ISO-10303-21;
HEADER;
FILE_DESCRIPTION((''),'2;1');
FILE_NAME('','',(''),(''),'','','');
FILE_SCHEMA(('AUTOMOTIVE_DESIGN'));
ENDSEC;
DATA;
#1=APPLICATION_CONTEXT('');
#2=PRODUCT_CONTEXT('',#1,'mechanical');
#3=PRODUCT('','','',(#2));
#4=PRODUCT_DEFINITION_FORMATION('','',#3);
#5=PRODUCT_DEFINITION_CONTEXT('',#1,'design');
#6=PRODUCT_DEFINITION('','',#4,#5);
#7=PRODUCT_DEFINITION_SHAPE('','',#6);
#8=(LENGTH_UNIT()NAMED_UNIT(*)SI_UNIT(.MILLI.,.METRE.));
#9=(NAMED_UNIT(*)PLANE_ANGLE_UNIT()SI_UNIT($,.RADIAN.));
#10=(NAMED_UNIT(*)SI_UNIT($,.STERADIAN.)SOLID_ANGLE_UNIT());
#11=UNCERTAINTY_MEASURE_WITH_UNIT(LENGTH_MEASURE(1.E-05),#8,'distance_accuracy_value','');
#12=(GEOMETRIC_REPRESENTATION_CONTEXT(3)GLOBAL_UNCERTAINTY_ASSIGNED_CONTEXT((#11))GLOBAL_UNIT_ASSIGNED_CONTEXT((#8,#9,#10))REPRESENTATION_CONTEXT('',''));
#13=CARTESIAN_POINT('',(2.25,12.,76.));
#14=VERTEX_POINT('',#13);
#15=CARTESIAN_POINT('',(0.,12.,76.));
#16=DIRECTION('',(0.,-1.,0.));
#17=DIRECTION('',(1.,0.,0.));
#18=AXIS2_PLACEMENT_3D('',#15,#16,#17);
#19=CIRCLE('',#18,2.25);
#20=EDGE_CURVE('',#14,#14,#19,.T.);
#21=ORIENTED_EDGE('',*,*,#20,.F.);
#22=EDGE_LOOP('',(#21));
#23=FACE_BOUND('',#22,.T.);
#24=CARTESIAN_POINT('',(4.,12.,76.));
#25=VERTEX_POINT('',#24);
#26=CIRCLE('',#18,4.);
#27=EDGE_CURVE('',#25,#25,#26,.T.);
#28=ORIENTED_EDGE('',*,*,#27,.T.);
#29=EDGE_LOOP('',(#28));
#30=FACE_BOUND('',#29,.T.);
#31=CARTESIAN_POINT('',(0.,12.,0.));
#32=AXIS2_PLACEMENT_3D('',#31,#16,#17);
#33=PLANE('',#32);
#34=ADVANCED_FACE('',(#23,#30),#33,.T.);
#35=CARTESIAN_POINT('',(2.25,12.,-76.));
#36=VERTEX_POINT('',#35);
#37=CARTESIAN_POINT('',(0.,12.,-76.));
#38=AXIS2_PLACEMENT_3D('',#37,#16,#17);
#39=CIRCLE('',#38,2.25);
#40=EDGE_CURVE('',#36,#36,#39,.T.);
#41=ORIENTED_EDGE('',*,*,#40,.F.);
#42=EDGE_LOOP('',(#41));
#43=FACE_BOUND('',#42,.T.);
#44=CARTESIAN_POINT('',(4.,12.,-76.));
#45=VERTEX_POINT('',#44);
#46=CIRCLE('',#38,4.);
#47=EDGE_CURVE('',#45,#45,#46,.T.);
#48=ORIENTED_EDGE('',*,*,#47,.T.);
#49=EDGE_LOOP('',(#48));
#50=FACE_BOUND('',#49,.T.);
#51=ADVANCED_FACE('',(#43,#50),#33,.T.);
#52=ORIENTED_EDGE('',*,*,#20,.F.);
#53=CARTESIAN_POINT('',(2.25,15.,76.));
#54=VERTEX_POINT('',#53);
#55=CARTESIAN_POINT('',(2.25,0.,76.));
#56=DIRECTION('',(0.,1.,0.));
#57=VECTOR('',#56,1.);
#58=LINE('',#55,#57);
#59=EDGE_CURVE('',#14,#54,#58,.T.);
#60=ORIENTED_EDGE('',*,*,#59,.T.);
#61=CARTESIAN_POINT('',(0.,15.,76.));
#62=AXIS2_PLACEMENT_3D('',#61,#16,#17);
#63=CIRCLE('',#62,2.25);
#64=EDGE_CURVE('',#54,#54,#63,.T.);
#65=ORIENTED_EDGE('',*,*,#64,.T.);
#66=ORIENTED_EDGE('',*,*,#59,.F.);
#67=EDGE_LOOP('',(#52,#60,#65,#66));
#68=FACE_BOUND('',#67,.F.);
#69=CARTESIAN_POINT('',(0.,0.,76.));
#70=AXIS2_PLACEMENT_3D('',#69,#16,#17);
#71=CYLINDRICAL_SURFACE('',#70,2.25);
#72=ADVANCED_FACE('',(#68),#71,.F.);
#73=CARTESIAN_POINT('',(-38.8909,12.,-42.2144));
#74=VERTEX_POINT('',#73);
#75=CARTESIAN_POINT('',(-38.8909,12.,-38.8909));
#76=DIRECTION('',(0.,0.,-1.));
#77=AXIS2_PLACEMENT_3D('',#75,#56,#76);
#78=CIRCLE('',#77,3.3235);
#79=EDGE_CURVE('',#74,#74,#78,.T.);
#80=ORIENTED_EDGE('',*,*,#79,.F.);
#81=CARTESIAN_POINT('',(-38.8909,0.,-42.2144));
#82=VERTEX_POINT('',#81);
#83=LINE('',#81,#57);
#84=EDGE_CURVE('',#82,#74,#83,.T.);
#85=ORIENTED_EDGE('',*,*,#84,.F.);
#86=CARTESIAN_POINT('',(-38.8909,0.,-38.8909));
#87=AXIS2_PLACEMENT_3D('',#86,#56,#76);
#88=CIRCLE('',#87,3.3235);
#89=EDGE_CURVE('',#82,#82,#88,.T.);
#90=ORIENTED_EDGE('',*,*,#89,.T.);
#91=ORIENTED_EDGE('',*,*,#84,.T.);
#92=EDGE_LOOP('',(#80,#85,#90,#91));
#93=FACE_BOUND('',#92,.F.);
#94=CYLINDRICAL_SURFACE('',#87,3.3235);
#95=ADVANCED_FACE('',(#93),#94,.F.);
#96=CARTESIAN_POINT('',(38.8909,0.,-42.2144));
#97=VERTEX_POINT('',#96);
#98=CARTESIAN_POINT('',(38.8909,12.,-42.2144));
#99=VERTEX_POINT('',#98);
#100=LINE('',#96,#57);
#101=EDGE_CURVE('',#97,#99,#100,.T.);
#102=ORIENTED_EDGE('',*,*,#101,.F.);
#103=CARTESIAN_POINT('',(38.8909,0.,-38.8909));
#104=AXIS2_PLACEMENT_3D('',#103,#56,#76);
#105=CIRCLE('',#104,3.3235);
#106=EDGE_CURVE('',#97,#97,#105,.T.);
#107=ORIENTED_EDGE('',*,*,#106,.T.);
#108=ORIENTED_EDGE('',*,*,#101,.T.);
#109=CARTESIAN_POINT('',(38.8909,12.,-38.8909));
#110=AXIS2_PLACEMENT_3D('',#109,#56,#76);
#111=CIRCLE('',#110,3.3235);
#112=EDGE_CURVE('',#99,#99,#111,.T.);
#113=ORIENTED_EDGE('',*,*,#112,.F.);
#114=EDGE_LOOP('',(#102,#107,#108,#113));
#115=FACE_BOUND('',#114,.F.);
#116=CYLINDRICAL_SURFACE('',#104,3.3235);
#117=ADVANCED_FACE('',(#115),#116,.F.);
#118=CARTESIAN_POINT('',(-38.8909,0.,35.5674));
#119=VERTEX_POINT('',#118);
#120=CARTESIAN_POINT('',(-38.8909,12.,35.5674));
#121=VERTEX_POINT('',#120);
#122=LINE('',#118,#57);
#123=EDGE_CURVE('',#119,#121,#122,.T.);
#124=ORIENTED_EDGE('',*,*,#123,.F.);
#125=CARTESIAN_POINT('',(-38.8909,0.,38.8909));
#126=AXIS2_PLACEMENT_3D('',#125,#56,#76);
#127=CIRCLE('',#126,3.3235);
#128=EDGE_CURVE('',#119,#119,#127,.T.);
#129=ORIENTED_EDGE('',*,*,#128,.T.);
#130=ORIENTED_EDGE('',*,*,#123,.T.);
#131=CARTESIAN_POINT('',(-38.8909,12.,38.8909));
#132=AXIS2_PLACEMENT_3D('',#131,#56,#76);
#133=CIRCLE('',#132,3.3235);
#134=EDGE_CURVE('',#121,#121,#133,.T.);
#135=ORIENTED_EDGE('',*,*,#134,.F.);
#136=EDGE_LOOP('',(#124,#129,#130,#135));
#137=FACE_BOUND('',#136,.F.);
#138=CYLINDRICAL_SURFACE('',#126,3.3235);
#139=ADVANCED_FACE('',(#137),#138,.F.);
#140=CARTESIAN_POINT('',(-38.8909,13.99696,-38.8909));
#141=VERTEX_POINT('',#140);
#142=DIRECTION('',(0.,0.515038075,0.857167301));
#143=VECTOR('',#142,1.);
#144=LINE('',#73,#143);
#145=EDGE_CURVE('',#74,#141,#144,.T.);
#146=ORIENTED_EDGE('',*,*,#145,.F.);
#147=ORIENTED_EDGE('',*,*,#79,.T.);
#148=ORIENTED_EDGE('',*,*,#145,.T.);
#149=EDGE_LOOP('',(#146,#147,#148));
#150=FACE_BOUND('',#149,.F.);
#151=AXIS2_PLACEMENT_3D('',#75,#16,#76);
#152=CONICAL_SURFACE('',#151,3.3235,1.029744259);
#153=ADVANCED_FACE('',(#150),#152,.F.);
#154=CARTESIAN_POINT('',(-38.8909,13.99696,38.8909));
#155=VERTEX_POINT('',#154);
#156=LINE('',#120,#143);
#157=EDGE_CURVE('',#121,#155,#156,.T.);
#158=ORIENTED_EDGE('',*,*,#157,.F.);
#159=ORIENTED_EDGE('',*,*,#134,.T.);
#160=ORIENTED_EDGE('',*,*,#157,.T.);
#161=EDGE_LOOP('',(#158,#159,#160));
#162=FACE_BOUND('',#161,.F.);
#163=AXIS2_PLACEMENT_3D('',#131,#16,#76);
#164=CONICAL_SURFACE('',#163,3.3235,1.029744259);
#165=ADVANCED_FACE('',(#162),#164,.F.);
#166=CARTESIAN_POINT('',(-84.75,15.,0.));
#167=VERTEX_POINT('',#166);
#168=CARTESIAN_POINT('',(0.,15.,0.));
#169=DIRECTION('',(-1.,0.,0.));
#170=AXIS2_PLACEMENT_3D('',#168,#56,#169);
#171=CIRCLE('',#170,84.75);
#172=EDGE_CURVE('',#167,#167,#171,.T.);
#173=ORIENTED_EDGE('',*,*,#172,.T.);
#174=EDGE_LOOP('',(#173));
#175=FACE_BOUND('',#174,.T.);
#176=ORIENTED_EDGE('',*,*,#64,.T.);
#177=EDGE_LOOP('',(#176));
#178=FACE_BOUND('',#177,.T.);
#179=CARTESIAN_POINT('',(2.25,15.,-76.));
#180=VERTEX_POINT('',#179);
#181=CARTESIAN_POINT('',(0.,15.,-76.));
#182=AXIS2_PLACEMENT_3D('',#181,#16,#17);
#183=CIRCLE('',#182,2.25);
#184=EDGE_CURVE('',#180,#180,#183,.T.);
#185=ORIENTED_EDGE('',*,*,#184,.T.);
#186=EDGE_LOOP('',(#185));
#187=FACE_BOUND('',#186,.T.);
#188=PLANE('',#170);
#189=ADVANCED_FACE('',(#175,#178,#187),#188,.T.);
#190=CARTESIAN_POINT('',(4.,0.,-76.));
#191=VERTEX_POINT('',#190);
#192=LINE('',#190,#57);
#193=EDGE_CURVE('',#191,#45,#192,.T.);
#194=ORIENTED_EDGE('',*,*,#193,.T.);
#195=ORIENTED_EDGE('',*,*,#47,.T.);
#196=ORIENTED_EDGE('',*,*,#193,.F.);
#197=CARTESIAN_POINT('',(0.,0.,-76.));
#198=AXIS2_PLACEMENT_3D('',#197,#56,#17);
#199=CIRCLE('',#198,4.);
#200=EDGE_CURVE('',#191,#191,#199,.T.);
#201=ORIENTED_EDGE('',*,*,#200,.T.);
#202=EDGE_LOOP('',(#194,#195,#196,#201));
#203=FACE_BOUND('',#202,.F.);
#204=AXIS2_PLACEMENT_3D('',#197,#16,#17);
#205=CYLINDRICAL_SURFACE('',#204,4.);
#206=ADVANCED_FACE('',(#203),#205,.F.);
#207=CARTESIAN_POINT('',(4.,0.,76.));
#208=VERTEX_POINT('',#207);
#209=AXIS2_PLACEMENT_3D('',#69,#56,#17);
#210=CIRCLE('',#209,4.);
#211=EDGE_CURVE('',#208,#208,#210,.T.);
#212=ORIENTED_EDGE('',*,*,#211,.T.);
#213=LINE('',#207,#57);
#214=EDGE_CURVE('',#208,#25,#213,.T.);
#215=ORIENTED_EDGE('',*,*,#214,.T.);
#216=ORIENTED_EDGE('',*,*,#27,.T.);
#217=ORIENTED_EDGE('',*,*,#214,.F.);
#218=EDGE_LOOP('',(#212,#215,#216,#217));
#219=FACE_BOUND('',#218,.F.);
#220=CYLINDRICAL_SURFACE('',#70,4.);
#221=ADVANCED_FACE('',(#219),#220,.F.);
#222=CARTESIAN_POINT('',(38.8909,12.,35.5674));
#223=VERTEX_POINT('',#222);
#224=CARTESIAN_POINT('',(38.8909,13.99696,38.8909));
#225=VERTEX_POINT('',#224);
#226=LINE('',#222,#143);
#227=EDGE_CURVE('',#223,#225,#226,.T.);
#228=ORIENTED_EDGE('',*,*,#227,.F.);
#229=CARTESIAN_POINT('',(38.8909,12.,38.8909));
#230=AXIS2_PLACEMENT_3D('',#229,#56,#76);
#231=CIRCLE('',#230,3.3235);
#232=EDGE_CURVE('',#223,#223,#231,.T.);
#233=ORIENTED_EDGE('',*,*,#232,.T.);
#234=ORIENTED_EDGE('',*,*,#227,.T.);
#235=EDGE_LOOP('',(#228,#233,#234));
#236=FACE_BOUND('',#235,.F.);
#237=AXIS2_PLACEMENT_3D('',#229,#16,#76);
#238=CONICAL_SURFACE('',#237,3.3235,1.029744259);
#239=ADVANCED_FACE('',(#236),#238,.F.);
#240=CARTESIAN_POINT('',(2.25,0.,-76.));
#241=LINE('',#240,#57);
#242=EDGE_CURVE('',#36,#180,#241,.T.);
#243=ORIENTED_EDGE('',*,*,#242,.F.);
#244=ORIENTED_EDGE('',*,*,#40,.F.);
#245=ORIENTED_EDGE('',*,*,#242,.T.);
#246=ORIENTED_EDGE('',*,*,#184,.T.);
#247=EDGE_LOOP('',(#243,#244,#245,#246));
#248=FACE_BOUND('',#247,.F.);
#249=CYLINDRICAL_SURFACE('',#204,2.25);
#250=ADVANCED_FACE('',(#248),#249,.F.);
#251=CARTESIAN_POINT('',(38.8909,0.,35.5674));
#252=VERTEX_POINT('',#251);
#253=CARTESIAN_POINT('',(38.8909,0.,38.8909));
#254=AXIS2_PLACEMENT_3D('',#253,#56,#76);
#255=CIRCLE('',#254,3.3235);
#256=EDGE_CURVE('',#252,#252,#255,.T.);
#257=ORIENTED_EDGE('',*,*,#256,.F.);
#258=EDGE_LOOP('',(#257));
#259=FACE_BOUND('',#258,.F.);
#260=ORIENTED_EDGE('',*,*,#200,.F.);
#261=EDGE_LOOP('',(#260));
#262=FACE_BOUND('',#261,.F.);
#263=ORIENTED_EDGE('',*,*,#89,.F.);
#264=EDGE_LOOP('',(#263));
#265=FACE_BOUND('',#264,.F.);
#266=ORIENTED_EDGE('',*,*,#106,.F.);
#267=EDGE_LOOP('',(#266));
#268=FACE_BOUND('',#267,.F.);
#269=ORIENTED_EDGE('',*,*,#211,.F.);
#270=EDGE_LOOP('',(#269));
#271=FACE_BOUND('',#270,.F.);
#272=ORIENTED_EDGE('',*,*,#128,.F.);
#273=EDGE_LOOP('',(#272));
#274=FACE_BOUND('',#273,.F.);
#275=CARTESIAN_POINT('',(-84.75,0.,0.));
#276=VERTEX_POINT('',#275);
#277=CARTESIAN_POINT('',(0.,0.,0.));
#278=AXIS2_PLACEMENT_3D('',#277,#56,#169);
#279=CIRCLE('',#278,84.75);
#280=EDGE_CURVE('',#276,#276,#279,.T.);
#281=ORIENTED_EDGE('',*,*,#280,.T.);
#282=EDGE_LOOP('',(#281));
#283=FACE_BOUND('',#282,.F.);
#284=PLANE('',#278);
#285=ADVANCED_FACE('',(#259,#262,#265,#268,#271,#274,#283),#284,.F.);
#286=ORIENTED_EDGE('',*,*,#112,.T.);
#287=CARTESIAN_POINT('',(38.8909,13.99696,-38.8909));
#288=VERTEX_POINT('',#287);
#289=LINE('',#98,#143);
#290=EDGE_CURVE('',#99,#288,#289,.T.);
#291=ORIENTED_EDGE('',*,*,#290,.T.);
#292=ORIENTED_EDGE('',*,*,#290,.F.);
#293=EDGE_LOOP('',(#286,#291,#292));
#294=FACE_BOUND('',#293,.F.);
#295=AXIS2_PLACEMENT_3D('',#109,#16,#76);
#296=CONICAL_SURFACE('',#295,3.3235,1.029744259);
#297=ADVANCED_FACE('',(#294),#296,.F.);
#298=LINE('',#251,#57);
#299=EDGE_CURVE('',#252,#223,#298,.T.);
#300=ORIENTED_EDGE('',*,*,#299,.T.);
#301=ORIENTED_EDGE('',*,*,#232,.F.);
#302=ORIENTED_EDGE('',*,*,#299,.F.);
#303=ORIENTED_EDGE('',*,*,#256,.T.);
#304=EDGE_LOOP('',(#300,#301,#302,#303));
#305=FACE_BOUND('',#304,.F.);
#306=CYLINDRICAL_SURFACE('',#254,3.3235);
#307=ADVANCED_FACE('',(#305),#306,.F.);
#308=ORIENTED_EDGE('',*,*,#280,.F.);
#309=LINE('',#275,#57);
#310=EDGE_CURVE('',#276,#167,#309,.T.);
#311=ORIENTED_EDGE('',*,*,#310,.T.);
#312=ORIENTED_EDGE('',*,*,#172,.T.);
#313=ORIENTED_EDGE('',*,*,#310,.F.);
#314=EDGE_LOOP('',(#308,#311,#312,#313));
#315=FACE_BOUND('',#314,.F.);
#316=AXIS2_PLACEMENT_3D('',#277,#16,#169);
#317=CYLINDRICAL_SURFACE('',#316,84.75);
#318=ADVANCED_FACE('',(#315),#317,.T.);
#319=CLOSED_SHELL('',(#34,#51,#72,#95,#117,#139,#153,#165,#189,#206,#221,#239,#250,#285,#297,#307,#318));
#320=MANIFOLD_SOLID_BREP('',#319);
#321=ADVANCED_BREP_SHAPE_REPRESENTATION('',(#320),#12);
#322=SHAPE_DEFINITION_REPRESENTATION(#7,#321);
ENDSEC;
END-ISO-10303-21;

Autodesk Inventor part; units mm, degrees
ref_plane "YZ Plane" through (0, 0, 0) normal (1, 0, 0) x (0, 1, 0)
ref_plane "XZ Plane" through (0, 0, 0) normal (0, 1, 0) x (-1, 0, 0)
ref_plane "XY Plane" through (0, 0, 0) normal (0, 0, 1) x (1, 0, 0)
sketch "Sketch1" plane through (0, 0, 0) normal (0, 1, 0) x (-1, 0, 0)
  circle A0 centre (0, 0) radius 84.75
  dimension "d0" = 169.5
extrude "Extrusion1" add sketch "Sketch1" along normal blind 15
sketch "Sketch2" plane through (0, 0, 0) normal (0, -1, 0) x (1, 0, 0)
  circle A0 centre (0, 0) radius 76
  circle A1 centre (0, 76) radius 4
  circle A2 centre (0, -76) radius 4
  circle A3 centre (0, 76) radius 2.25
  circle A4 centre (0, -76) radius 2.25
  dimension "d3" = 152
  dimension "d4" = 8
  dimension "d5" = 8
  dimension "d6" = 4.5
  dimension "d7" = 4.5
extrude "Extrusion2" cut sketch "Sketch2" against normal through all contours A3 A0 | A0 A3 | A4 A0 | A0 A4
extrude "Extrusion3" cut sketch "Sketch2" against normal blind 12 contours A1 A0 A3 | A0 A3 A1 | A2 A0 A4 | A0 A4 A2 | A3 A0 | A0 A3 | A4 A0 | A0 A4
sketch "Sketch3" plane through (0, 0, 0) normal (0, -1, 0) x (1, 0, 0)
  circle A0 centre (0, 0) radius 84.75
  circle A1 centre (0, 0) radius 20
  circle A2 centre (0, -20) radius 4
  circle A3 centre (20, 0) radius 4
  circle A4 centre (0, 20) radius 4
  circle A5 centre (-20, 0) radius 4
  line L0 (55, 55) -> (-55, 55)
  line L1 (-55, 55) -> (-55, -55)
  line L2 (-55, -55) -> (55, -55)
  line L3 (55, -55) -> (55, 55)
  line L4 (55, 55) -> (-55, -55) construction
  line L5 (-55, 55) -> (55, -55) construction
  circle A6 centre (0, 0) radius 55
  circle A7 centre (-38.8909, -38.8909) radius 4
  circle A8 centre (38.8909, -38.8909) radius 4
  circle A9 centre (38.8909, 38.8909) radius 4
  circle A10 centre (-38.8909, 38.8909) radius 4
  dimension "d12" = 40
  dimension "d13" = 8
  dimension "d16" = 360
  dimension "d21" = 110
  dimension "d22" = 110
  dimension "d23" = 110
  dimension "d24" = 8
  dimension "d25" = 8
  dimension "d26" = 8
  dimension "d27" = 8
hole "Hole1" at (38.8909, 0, -38.8909) at (38.8909, 0, 38.8909) at (-38.8909, 0, 38.8909) at (-38.8909, 0, -38.8909) direction (0, 1, 0) diameter 6.647 depth 12 tip angle 118 thread size "M8x1.25" class "6H" standard "ANSI Metric M Profile"
properties part number "Modified Substrate Plate Top"
